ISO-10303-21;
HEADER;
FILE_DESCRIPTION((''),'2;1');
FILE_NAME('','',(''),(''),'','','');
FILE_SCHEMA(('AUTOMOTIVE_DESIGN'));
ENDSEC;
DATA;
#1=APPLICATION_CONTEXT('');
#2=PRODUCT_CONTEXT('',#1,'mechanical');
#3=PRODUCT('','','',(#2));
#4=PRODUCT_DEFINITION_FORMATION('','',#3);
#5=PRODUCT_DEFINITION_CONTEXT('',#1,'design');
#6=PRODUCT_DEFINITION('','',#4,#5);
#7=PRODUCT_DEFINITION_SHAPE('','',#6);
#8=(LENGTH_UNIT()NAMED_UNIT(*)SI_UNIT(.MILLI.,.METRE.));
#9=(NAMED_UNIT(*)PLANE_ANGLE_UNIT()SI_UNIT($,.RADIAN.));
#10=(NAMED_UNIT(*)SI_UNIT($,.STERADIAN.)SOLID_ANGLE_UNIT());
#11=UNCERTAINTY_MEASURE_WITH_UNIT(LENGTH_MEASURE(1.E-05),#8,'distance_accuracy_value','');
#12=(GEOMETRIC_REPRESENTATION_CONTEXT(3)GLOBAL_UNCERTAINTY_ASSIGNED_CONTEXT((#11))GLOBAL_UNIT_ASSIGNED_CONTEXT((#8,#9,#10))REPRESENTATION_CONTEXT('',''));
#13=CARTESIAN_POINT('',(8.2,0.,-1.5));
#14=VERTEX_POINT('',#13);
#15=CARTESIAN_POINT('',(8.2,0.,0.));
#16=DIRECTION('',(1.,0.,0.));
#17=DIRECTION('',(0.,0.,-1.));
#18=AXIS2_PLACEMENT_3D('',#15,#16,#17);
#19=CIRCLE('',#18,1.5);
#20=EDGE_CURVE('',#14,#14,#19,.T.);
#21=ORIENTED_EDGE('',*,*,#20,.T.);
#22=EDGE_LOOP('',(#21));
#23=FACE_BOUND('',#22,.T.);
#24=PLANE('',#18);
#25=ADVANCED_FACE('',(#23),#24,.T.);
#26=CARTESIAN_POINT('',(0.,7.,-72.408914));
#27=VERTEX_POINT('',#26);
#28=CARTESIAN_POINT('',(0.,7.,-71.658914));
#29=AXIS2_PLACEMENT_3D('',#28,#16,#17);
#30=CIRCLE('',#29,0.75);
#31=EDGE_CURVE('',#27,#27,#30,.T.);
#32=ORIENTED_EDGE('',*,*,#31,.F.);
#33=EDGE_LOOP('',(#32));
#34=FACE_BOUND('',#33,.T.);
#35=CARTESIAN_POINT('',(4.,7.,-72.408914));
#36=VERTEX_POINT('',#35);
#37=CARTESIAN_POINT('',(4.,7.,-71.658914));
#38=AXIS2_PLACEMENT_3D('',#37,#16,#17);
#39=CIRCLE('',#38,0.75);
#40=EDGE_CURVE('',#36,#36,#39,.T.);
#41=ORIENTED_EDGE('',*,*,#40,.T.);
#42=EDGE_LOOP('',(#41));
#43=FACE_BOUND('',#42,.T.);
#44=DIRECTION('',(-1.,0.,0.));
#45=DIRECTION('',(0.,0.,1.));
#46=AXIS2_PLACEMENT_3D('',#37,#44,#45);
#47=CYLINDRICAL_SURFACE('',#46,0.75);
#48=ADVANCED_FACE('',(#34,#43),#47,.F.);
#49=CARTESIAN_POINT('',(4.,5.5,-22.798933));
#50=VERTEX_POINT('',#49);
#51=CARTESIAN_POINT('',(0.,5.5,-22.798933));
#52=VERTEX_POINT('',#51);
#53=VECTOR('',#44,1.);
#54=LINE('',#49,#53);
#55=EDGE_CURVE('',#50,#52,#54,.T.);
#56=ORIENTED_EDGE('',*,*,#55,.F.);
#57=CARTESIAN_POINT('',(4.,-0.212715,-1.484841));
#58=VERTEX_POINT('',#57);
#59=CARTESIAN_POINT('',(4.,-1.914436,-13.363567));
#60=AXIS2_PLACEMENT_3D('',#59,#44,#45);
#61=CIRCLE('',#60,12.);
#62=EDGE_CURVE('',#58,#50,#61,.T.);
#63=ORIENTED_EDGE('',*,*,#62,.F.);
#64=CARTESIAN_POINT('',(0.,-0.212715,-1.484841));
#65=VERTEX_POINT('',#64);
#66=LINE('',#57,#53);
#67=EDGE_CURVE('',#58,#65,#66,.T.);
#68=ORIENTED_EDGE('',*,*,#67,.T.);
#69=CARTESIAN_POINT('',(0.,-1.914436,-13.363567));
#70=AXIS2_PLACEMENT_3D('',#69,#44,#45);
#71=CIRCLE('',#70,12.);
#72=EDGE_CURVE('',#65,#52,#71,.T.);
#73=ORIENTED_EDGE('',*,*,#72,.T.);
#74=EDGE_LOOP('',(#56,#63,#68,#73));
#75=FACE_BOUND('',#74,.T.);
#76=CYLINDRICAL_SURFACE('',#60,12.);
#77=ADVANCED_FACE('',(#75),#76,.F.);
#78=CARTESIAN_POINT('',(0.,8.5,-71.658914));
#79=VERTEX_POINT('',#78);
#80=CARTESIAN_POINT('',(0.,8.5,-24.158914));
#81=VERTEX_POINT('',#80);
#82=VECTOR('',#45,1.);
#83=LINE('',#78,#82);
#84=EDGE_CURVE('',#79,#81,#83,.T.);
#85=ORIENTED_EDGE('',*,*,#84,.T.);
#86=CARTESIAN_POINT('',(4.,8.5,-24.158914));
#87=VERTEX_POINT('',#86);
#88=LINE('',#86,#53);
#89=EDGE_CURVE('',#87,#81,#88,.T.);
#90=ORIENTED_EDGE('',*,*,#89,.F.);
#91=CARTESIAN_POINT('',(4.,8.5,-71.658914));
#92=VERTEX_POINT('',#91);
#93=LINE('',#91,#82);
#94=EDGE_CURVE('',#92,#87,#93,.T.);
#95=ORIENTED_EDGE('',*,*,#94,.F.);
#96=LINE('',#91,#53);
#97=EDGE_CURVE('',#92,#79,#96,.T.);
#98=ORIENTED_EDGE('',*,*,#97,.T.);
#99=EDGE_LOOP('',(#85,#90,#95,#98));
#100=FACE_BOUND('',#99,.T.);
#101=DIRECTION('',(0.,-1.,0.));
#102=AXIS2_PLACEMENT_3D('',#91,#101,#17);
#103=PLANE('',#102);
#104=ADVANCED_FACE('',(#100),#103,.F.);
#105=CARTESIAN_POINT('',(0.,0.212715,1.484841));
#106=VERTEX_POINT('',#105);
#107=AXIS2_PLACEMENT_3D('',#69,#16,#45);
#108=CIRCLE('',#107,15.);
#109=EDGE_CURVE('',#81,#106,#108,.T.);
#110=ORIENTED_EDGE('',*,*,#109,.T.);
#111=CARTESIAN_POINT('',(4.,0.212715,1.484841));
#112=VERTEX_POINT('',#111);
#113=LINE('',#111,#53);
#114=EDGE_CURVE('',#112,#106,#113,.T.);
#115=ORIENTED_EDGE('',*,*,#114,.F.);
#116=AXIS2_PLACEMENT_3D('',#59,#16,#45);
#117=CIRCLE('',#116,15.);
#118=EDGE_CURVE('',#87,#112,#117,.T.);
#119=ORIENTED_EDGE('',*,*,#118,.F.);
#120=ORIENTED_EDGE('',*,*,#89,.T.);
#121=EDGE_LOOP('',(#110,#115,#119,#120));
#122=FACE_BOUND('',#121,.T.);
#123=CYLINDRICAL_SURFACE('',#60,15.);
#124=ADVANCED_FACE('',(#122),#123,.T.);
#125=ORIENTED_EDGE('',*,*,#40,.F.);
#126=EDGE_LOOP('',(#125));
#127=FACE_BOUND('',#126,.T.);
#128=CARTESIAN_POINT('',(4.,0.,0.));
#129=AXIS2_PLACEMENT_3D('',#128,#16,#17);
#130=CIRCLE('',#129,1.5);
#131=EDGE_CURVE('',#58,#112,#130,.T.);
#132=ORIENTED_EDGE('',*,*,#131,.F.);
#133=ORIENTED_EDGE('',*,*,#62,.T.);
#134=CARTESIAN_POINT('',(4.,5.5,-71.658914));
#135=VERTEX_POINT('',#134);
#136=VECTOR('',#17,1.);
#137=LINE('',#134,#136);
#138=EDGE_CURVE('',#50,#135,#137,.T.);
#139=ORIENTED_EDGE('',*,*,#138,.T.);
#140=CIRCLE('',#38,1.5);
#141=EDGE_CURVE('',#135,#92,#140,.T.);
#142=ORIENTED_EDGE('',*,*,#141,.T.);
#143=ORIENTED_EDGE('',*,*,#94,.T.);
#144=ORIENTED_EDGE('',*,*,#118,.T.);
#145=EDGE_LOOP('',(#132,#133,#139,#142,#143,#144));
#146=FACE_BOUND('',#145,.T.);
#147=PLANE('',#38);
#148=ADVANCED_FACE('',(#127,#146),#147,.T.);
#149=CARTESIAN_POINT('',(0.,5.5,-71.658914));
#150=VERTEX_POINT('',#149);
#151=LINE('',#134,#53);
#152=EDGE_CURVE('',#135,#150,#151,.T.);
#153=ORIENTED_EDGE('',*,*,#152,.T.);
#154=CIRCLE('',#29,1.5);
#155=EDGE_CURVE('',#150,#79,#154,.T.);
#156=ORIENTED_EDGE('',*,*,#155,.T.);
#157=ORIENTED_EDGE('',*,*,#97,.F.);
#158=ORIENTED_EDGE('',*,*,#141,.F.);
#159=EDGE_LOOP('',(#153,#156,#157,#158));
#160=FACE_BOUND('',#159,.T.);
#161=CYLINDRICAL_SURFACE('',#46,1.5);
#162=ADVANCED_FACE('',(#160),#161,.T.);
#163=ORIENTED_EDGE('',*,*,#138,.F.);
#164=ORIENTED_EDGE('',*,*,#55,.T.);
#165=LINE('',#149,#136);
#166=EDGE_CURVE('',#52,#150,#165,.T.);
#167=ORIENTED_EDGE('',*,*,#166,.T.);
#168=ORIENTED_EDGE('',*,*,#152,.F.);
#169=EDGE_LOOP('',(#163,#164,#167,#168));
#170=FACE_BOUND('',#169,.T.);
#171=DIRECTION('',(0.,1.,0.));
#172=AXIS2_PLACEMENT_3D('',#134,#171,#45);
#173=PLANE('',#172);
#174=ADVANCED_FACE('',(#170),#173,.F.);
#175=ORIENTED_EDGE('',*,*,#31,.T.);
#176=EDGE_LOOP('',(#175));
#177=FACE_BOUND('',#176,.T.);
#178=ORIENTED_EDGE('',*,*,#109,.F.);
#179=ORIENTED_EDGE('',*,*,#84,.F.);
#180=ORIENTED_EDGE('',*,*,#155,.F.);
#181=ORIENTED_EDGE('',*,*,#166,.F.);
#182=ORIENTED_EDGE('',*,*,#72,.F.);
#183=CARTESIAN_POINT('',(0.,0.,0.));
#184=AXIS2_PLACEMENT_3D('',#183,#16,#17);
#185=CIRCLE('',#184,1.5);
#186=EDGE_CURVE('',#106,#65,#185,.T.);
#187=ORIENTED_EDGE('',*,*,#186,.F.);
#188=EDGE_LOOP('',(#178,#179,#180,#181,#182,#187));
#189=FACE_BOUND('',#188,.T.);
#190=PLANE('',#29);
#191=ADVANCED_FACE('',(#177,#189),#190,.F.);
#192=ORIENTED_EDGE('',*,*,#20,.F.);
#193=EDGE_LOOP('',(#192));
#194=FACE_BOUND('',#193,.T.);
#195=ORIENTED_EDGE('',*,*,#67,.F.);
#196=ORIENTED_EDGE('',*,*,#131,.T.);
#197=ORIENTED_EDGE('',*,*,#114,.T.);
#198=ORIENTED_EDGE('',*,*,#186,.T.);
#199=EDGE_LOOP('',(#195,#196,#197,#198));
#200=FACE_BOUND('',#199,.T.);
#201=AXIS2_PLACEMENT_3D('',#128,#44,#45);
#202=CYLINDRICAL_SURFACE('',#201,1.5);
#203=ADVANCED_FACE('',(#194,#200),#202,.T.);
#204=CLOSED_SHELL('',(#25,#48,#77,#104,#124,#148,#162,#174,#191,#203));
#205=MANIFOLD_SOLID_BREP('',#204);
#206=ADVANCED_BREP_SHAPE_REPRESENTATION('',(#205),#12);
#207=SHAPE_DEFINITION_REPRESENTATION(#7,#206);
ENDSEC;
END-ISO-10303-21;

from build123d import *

# Parameters (mm, degrees)
SKETCH1_R           = 0.75
BOSS_EXTRUDE1_DEPTH = 4
SKETCH2_R           = 1.5
BOSS_EXTRUDE2_DEPTH = 4.2


with BuildPart() as part:
    # Sketch1 → Boss-Extrude1 (new body)
    with BuildSketch(Plane(origin=(0, 0, 0), x_dir=(0, 0, -1), z_dir=(1, 0, 0))):
        with BuildLine():
            Line((71.658914309, 8.5), (24.158914309, 8.5))
            ThreePointArc((24.158914309, 8.5), (8.750910997, 12.358734302), (-1.484840821, 0.212715152))
            ThreePointArc((-1.484840821, 0.212715152), (-0.212715152, -1.484840821), (1.484840821, -0.212715152))
            ThreePointArc((1.484840821, -0.212715152), (10.256916266, 9.676453105), (22.798933484, 5.5))
            Line((22.798933484, 5.5), (71.658914309, 5.5))
            ThreePointArc((71.658914309, 5.5), (73.158914309, 7), (71.658914309, 8.5))
        make_face()
        with Locations((71.658914309, 7)):
            Circle(SKETCH1_R, mode=Mode.SUBTRACT)
    extrude(amount=BOSS_EXTRUDE1_DEPTH)

    # Sketch2 → Boss-Extrude2 (add)
    with BuildSketch(Plane(origin=(4, 0, 0), x_dir=(0, 0, -1), z_dir=(1, 0, 0))):
        with Locations(Location((0, 0, 0), (0, 0, 171.847397423))):
            Circle(SKETCH2_R)
    extrude(amount=BOSS_EXTRUDE2_DEPTH)


solid = part.part
